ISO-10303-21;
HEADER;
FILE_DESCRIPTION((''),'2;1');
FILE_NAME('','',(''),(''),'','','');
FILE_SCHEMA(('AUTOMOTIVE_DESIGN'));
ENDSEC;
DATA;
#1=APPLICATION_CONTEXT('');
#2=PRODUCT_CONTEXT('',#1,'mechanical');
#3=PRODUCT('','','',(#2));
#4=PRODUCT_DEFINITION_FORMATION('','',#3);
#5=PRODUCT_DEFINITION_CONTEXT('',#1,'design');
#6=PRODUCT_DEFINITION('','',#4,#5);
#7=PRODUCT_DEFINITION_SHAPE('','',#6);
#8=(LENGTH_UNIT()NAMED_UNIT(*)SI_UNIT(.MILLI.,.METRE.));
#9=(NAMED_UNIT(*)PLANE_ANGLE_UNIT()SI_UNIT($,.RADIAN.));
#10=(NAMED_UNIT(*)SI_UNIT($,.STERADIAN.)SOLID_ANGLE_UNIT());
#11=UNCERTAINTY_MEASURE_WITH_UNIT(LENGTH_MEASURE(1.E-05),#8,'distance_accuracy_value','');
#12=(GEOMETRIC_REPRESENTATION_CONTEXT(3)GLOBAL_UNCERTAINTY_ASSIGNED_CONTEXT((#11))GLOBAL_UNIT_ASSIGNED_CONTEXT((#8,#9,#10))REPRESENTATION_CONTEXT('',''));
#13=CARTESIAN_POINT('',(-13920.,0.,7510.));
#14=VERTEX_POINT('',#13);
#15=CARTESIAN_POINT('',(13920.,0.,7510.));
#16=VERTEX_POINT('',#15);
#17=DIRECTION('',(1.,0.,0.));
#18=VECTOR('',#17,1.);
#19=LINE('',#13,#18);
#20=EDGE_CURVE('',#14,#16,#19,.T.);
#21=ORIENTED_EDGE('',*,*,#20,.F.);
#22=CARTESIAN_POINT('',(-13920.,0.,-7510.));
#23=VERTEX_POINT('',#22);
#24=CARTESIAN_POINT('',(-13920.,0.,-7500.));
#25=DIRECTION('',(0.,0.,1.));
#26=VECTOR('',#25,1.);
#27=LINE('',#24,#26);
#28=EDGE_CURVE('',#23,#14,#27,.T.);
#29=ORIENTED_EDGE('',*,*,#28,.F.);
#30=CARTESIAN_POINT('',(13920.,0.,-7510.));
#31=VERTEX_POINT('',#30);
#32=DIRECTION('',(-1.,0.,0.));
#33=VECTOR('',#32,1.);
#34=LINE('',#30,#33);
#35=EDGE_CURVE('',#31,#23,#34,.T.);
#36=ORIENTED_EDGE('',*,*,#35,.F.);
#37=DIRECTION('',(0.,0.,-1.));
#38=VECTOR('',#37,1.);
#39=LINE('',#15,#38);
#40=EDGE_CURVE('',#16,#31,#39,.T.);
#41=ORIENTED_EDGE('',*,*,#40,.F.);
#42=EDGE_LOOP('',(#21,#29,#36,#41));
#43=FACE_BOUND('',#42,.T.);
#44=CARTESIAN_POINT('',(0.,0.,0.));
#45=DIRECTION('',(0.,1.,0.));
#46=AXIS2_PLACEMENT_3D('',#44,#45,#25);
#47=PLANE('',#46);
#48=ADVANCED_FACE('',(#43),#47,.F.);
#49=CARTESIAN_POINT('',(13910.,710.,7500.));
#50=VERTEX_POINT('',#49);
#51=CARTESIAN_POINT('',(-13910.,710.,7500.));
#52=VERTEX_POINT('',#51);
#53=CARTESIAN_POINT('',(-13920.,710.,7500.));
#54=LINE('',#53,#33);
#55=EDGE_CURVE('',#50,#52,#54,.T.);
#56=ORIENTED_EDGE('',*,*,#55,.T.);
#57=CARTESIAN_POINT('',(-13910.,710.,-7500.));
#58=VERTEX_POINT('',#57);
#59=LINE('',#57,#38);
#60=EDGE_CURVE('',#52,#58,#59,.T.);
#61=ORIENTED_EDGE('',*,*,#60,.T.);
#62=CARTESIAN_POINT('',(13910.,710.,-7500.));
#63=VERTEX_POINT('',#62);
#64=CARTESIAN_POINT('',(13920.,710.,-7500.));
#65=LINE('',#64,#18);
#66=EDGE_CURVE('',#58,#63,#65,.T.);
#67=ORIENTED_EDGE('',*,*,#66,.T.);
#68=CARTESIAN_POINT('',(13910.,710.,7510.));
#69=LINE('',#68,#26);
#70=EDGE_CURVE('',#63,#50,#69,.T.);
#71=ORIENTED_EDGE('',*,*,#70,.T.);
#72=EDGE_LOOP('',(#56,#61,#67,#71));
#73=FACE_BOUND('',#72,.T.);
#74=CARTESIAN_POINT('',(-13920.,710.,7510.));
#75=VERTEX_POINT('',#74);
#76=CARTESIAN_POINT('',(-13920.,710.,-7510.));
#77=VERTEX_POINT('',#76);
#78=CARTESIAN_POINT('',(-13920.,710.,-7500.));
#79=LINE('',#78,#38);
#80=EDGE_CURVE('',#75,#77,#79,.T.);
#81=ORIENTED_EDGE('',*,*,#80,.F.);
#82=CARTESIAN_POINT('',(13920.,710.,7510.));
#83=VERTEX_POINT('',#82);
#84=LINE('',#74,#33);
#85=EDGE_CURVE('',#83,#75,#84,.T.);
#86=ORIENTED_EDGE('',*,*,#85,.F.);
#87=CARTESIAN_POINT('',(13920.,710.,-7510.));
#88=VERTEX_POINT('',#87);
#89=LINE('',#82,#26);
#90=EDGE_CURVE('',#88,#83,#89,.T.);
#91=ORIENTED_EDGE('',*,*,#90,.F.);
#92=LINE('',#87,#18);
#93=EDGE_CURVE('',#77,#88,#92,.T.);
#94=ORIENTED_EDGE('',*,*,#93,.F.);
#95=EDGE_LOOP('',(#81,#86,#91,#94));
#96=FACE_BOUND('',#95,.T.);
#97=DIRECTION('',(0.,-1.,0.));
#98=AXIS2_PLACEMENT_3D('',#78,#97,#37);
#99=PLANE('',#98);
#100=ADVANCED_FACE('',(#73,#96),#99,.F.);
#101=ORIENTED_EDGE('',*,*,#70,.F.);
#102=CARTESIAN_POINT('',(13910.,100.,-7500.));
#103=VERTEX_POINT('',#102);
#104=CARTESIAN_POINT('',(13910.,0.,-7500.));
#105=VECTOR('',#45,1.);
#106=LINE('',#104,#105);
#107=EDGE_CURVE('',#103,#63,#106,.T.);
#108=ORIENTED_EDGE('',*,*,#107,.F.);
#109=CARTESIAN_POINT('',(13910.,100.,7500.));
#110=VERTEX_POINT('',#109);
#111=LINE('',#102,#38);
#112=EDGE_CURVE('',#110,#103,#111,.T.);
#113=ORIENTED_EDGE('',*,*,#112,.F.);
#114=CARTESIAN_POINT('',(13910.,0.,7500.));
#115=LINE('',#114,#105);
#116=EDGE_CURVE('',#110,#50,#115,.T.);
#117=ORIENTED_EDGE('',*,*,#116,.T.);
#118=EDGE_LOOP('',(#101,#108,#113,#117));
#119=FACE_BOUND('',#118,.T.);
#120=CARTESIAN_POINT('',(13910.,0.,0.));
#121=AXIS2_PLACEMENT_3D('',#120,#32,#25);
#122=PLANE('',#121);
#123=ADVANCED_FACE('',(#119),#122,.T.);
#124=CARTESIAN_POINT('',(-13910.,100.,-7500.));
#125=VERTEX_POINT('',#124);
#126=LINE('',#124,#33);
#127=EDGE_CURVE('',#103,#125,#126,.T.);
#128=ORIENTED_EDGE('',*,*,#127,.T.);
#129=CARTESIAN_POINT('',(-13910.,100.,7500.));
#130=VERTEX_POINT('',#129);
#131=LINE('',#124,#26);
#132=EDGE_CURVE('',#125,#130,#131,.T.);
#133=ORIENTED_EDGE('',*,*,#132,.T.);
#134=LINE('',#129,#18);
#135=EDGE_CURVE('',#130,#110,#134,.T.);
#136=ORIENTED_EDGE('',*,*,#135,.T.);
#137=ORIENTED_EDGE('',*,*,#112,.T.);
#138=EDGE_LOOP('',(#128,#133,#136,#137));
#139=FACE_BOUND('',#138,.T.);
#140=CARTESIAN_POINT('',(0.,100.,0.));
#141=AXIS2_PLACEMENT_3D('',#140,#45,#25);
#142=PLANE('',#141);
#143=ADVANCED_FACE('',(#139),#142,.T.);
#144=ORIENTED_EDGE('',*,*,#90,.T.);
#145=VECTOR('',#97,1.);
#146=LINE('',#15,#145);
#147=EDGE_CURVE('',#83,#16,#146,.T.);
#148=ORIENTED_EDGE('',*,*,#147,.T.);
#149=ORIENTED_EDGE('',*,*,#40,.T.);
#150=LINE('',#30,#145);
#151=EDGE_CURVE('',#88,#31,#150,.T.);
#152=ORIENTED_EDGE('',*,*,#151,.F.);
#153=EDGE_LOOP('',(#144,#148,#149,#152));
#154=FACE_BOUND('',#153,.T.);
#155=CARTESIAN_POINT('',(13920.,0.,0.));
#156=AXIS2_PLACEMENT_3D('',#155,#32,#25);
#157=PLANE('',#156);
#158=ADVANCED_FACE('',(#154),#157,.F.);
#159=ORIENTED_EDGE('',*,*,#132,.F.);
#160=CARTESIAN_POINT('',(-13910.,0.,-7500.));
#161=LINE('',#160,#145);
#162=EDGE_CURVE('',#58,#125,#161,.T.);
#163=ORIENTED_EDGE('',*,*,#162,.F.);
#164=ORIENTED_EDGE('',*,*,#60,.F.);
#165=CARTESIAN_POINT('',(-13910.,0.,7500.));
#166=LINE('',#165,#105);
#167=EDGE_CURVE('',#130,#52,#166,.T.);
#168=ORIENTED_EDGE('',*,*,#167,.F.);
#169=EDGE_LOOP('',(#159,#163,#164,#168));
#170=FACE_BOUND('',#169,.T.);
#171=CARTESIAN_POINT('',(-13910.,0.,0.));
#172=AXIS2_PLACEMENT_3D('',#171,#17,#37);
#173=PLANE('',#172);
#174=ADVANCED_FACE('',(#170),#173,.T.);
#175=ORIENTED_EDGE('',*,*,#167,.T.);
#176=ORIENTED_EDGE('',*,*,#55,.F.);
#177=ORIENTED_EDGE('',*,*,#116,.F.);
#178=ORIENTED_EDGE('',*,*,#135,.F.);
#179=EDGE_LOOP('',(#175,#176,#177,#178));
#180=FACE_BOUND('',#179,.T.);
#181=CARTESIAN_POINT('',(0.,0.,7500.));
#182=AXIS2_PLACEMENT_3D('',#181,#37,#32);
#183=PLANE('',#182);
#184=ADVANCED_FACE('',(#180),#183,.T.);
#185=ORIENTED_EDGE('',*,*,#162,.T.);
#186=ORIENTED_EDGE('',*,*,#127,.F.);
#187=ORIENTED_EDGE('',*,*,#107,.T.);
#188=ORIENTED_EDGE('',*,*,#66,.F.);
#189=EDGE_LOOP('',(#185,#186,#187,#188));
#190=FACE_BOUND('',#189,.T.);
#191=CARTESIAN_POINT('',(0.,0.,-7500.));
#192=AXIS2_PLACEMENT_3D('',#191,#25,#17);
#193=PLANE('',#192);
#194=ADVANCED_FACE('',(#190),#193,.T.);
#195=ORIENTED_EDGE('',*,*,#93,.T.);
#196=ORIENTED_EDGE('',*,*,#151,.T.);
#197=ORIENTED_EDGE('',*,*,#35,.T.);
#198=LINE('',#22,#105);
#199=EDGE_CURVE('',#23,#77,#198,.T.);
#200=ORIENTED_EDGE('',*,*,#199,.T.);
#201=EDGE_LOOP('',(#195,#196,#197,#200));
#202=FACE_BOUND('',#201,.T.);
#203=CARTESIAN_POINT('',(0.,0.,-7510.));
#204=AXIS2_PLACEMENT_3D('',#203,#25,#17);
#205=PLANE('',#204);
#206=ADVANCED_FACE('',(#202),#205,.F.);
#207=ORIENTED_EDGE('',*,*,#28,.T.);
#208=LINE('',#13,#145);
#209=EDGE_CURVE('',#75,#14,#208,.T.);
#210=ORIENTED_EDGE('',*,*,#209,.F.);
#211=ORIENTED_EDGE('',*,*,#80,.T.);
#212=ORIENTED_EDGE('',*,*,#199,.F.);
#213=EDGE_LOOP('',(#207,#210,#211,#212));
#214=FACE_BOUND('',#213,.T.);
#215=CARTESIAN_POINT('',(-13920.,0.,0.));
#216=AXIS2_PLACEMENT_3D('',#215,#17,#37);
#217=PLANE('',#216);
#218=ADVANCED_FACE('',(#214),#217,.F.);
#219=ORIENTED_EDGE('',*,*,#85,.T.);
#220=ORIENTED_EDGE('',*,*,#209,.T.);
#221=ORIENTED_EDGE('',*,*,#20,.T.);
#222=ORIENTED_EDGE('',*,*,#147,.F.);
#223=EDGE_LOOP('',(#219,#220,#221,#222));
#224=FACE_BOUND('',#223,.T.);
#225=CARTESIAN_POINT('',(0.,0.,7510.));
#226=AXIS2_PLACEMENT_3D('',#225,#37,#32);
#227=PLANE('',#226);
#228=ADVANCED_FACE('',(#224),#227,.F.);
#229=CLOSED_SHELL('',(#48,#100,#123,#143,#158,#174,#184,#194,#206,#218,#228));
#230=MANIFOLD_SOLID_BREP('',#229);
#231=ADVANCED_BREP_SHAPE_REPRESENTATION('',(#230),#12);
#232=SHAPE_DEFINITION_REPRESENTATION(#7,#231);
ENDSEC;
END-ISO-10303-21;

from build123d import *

# Parameters (mm, degrees)
SKETCH_1_W      = 27820
SKETCH_1_H      = 15000
EXTRUDE_1_DEPTH = 100
SKETCH_3_W      = 15000
SKETCH_3_H      = 710
EXTRUDE_2_DEPTH = 10
SKETCH_4_W      = 27830
SKETCH_4_H      = 710
EXTRUDE_3_DEPTH = 10
SKETCH_5_W      = 15010
SKETCH_5_H      = 710
EXTRUDE_4_DEPTH = 10
SKETCH_7_W      = 27840
SKETCH_7_H      = 710
EXTRUDE_6_DEPTH = 10


with BuildPart() as part:
    # 草图1 → 凸台-拉伸1 (new body)
    with BuildSketch(Plane(origin=(0, 0, 0), x_dir=(1, 0, 0), z_dir=(0, 1, 0))):
        Rectangle(SKETCH_1_W, SKETCH_1_H)
    extrude(amount=EXTRUDE_1_DEPTH)

    # 草图3 → 凸台-拉伸2 (add)
    with BuildSketch(Plane.ZY.offset(13910)):
        with Locations((0, 355)):
            Rectangle(SKETCH_3_W, SKETCH_3_H)
    extrude(amount=EXTRUDE_2_DEPTH)

    # 草图4 → 凸台-拉伸3 (add)
    with BuildSketch(Plane.XY.offset(7500)):
        with Locations((-5, 355)):
            Rectangle(SKETCH_4_W, SKETCH_4_H)
    extrude(amount=EXTRUDE_3_DEPTH)

    # 草图5 → 凸台-拉伸4 (add)
    with BuildSketch(Plane(origin=(13910, 0, 0), x_dir=(0, 0, -1), z_dir=(1, 0, 0))):
        with Locations((-5, 355)):
            Rectangle(SKETCH_5_W, SKETCH_5_H)
    extrude(amount=EXTRUDE_4_DEPTH)

    # 草图7 → 凸台-拉伸6 (add)
    with BuildSketch(Plane(origin=(0, 0, -7500), x_dir=(-1, 0, 0), z_dir=(0, 0, -1))):
        with Locations((0, 355)):
            Rectangle(SKETCH_7_W, SKETCH_7_H)
    extrude(amount=EXTRUDE_6_DEPTH)


solid = part.part
